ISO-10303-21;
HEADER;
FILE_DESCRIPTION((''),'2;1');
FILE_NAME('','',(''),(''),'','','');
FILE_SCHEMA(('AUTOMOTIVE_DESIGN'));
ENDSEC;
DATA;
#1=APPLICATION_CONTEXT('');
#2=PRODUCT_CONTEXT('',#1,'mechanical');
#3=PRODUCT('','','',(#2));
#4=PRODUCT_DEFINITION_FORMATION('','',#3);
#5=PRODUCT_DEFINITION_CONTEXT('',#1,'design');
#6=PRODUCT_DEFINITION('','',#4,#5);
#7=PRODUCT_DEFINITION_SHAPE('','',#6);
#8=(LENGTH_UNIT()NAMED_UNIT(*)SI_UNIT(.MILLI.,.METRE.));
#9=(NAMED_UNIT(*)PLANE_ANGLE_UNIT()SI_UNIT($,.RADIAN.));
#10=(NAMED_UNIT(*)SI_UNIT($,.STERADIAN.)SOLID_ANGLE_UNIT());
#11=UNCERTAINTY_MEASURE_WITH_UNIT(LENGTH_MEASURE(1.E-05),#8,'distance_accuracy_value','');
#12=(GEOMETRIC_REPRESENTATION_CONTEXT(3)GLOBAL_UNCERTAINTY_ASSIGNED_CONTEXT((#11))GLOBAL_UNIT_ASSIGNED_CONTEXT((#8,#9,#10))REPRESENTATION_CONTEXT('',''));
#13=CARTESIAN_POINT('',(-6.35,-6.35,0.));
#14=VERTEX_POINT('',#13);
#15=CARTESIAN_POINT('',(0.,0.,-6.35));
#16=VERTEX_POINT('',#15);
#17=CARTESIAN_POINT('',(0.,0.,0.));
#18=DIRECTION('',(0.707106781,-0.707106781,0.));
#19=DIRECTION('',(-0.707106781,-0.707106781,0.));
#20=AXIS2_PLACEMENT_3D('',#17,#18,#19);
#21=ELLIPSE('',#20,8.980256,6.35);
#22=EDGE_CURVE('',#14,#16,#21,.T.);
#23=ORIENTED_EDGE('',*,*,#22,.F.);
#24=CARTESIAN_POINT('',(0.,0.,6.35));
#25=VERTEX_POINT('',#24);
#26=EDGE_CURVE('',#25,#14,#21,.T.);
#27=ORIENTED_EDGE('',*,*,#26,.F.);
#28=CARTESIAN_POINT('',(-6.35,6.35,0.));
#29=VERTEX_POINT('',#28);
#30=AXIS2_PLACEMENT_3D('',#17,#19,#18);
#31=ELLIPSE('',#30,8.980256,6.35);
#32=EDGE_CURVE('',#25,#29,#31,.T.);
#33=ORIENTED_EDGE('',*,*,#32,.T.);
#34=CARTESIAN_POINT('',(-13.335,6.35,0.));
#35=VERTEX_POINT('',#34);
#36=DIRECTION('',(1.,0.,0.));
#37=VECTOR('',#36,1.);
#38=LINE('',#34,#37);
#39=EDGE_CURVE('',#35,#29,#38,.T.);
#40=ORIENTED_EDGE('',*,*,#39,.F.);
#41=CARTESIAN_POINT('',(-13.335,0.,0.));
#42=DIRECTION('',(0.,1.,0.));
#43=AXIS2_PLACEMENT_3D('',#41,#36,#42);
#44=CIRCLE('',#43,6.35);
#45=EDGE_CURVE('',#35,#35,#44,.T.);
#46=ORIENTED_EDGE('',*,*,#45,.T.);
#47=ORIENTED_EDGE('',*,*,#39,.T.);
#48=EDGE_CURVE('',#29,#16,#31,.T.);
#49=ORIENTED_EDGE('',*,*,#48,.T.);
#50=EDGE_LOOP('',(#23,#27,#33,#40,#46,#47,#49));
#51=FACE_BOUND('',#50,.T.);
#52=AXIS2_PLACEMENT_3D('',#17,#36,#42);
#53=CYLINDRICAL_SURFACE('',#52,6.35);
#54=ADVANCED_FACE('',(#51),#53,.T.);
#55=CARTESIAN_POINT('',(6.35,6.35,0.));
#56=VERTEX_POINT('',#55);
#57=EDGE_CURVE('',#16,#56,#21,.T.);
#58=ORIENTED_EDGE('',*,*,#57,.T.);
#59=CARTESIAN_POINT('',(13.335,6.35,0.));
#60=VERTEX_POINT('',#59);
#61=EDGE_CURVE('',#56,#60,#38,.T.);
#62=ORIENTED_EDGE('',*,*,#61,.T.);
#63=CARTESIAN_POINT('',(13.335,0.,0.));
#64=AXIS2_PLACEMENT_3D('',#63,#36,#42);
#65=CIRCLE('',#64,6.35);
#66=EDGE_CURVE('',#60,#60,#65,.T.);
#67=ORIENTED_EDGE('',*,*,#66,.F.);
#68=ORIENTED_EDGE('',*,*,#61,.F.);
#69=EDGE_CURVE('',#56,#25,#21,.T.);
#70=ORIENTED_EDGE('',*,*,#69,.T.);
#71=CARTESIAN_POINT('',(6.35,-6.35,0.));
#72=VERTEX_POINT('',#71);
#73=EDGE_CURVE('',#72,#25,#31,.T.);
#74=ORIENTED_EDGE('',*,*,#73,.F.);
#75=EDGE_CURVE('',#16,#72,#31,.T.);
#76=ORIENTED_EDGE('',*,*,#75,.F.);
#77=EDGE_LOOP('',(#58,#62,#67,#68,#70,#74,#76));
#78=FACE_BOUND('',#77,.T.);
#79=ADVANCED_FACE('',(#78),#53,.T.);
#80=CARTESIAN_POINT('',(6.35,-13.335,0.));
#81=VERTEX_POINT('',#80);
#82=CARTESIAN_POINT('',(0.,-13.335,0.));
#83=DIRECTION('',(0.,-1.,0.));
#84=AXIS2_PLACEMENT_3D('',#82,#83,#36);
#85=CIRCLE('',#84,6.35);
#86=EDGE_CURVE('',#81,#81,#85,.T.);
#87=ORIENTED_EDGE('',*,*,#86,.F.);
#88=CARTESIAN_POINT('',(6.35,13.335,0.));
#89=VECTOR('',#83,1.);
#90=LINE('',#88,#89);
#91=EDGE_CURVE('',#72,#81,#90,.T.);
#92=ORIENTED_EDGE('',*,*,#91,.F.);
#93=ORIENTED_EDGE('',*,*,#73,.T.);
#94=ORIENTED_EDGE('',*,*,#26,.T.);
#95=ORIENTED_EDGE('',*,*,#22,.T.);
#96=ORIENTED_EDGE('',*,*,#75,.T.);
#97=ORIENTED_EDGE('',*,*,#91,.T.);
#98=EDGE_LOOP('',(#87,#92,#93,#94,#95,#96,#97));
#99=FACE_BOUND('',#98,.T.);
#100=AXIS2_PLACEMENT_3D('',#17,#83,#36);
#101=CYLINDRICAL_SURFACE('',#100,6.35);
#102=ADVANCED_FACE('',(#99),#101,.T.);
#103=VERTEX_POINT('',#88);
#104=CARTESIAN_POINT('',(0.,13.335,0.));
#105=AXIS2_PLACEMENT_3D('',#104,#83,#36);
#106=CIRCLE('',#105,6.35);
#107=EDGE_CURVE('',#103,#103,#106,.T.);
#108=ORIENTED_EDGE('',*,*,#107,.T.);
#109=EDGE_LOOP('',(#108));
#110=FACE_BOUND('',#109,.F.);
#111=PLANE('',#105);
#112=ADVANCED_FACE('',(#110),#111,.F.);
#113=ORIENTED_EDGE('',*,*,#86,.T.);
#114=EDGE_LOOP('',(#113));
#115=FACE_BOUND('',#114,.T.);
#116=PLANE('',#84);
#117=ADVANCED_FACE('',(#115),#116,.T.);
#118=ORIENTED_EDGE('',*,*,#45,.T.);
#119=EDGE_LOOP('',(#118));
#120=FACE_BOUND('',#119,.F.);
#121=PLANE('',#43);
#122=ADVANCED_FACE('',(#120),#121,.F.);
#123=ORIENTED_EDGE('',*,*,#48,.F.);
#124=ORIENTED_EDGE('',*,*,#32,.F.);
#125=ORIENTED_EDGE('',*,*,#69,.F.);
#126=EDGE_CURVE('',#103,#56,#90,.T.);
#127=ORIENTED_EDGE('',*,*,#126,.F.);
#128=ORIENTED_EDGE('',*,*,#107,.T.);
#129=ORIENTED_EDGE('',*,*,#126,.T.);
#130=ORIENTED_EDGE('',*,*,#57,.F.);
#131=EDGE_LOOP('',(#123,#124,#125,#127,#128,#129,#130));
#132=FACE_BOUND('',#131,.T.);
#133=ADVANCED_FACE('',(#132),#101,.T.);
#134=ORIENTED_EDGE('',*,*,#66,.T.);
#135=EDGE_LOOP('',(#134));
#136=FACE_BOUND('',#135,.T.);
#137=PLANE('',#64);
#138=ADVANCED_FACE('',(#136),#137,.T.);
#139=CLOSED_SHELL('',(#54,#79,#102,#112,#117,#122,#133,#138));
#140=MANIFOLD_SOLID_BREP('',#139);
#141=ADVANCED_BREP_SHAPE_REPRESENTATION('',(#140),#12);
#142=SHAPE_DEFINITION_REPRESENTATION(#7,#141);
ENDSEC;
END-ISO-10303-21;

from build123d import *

# Parameters (mm, degrees)
F0_R     = 6.35
F2_DEPTH = 13.335
F1_R     = 6.35
F3_DEPTH = 13.335


with BuildPart() as f2:
    # F0 (on Front) → F2 (new body, symmetric)
    with BuildSketch(Plane.XZ):
        Circle(F0_R)
    extrude(amount=F2_DEPTH, both=True)

    # F1 (on Right) → F3 (join, symmetric)
    with BuildSketch(Plane.YZ):
        Circle(F1_R)
    extrude(amount=F3_DEPTH, both=True)


solid = f2.part
